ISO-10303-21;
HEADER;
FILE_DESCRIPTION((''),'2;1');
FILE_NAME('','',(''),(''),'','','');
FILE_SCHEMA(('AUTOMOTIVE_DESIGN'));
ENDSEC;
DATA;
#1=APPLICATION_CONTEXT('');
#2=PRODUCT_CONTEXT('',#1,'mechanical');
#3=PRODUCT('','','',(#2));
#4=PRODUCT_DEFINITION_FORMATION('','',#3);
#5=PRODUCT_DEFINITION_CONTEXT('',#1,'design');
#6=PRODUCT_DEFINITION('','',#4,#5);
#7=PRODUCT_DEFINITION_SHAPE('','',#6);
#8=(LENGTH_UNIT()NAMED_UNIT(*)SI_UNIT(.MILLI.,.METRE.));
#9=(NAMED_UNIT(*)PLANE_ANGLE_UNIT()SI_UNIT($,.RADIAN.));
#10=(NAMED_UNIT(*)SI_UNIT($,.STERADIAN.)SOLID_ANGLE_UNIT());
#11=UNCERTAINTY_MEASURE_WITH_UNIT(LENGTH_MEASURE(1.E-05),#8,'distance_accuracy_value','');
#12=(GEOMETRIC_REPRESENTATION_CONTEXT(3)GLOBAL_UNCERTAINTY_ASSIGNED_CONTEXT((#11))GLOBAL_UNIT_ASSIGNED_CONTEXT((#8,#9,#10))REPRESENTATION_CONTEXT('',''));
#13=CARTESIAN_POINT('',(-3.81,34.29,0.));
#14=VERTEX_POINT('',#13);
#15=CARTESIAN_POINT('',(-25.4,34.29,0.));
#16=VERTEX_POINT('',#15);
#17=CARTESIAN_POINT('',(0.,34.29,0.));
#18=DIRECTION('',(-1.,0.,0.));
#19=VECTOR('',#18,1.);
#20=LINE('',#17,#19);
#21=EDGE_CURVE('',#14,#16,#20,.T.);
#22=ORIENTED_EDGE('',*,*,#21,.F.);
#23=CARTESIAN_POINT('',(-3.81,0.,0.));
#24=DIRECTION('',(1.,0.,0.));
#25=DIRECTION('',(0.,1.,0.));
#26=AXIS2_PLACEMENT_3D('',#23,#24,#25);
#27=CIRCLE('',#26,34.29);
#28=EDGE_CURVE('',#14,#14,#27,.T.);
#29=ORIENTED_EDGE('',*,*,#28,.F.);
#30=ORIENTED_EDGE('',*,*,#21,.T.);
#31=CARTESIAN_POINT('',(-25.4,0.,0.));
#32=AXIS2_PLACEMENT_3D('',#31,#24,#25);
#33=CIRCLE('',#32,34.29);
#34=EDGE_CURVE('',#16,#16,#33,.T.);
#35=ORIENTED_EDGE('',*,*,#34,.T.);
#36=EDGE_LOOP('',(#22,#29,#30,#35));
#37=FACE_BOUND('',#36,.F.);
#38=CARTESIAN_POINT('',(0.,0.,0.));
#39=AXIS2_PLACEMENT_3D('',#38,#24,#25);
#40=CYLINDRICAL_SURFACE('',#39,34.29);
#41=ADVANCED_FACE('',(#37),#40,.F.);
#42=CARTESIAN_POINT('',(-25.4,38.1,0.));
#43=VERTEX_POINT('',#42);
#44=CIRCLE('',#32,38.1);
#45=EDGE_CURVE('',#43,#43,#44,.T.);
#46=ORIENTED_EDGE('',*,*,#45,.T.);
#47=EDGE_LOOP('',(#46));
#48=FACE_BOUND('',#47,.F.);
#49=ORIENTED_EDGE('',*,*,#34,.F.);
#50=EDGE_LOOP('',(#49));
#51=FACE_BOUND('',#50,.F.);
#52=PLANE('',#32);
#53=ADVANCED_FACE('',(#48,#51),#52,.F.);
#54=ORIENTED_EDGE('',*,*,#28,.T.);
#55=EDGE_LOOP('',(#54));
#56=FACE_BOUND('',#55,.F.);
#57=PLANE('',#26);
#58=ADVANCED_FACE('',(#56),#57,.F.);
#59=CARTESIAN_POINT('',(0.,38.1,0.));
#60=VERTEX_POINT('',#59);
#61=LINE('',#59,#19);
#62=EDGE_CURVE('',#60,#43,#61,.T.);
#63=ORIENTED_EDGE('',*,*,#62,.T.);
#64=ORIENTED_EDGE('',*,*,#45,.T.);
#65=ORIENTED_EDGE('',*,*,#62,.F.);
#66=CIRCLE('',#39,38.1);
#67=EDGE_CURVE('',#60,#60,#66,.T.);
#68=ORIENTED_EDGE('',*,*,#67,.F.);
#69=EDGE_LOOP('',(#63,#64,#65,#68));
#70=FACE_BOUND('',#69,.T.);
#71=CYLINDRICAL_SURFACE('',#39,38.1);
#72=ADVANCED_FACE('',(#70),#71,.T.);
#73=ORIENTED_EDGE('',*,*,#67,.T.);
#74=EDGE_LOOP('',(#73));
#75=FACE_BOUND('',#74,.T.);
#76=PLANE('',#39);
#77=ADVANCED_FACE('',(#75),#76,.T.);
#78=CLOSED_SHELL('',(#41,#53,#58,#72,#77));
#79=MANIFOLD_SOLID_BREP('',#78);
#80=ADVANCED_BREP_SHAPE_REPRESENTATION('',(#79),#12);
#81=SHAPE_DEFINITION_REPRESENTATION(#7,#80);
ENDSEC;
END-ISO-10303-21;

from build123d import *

# Parameters (mm, degrees)
F0_R     = 38.1
F1_DEPTH = 25.4
F2_T     = -3.81


with BuildPart() as f1:
    # F0 (on Right) → F1 (new body)
    with BuildSketch(Plane.YZ):
        Circle(F0_R)
    extrude(amount=-F1_DEPTH)

    # F2
    f2_openings = [f1.faces().sort_by_distance(p)[0] for p in [
        (-25.4, 0, 0),
    ]]
    offset(amount=F2_T, openings=f2_openings)


solid = f1.part
